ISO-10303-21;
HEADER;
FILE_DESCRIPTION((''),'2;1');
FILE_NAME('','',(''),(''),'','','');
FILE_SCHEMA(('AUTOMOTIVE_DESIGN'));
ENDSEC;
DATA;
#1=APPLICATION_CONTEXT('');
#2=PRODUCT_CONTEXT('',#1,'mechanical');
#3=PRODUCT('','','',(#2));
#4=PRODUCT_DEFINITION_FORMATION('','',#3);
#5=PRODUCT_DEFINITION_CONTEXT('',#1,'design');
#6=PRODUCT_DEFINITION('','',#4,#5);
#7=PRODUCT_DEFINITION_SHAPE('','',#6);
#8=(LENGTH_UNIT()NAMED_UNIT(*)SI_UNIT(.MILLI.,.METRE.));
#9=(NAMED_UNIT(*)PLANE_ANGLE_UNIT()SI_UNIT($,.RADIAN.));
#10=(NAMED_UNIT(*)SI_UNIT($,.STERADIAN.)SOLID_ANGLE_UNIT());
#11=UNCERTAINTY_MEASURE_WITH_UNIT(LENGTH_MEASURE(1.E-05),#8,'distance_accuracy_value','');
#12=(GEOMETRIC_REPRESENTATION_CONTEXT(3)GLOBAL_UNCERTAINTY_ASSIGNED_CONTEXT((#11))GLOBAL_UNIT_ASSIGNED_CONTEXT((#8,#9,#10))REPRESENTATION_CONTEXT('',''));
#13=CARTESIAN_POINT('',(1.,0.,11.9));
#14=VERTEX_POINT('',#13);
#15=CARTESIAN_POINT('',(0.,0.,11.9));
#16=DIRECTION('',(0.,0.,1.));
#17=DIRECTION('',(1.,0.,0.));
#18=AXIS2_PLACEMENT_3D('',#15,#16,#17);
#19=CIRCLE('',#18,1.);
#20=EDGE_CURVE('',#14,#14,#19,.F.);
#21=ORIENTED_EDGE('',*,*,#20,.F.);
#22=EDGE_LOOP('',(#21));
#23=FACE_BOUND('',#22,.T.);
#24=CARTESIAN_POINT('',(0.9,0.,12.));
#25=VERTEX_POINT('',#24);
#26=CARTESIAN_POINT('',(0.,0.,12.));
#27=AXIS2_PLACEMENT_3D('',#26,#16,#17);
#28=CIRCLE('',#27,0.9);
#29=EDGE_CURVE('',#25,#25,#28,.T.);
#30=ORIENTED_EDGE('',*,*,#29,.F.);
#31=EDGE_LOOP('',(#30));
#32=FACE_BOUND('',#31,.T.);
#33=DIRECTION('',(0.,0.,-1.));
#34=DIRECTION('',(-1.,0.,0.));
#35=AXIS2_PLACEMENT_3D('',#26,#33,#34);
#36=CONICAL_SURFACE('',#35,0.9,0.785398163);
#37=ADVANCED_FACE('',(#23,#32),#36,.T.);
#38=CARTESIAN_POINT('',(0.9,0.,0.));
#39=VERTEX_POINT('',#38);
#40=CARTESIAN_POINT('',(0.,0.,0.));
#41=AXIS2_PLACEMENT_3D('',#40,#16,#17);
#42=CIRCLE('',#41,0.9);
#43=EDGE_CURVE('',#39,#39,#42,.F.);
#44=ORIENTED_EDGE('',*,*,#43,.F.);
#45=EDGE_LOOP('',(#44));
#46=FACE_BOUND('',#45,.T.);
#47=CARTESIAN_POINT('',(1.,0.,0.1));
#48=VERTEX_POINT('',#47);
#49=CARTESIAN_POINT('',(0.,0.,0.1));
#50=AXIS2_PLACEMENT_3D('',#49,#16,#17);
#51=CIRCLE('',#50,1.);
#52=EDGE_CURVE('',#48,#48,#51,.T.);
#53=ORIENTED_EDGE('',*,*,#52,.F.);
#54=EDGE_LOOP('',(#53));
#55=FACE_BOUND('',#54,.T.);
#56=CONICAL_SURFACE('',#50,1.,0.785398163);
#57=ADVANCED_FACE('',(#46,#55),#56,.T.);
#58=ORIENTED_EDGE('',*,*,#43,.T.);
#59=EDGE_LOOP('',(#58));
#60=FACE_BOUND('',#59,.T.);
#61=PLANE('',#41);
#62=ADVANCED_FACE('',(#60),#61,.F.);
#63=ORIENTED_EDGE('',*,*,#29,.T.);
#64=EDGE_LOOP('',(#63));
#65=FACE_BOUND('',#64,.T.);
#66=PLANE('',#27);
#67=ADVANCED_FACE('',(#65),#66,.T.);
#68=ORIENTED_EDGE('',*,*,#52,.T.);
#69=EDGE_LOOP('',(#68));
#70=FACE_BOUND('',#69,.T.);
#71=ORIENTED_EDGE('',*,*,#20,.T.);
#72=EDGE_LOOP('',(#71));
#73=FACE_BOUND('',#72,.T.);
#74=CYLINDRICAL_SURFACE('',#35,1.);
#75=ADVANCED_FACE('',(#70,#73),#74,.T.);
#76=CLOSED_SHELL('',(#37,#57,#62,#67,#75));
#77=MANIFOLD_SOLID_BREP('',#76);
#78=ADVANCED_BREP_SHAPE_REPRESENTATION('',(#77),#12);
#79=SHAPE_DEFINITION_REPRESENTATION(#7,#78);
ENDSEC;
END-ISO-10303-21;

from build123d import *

# Parameters (mm, degrees)
SKETCH1_R           = 1
BOSS_EXTRUDE1_DEPTH = 12
CHAMFER1_SIZE       = 0.1


with BuildPart() as part:
    # Sketch1 → Boss-Extrude1 (new body)
    with BuildSketch(Plane.XY):
        Circle(SKETCH1_R)
    extrude(amount=BOSS_EXTRUDE1_DEPTH)

    # Chamfer1
    chamfer1_edges = [part.edges().sort_by_distance(p)[0] for p in [
        (-1, 0, 0),
        (-1, 0, 12),
    ]]
    chamfer(chamfer1_edges, length=CHAMFER1_SIZE)


solid = part.part
